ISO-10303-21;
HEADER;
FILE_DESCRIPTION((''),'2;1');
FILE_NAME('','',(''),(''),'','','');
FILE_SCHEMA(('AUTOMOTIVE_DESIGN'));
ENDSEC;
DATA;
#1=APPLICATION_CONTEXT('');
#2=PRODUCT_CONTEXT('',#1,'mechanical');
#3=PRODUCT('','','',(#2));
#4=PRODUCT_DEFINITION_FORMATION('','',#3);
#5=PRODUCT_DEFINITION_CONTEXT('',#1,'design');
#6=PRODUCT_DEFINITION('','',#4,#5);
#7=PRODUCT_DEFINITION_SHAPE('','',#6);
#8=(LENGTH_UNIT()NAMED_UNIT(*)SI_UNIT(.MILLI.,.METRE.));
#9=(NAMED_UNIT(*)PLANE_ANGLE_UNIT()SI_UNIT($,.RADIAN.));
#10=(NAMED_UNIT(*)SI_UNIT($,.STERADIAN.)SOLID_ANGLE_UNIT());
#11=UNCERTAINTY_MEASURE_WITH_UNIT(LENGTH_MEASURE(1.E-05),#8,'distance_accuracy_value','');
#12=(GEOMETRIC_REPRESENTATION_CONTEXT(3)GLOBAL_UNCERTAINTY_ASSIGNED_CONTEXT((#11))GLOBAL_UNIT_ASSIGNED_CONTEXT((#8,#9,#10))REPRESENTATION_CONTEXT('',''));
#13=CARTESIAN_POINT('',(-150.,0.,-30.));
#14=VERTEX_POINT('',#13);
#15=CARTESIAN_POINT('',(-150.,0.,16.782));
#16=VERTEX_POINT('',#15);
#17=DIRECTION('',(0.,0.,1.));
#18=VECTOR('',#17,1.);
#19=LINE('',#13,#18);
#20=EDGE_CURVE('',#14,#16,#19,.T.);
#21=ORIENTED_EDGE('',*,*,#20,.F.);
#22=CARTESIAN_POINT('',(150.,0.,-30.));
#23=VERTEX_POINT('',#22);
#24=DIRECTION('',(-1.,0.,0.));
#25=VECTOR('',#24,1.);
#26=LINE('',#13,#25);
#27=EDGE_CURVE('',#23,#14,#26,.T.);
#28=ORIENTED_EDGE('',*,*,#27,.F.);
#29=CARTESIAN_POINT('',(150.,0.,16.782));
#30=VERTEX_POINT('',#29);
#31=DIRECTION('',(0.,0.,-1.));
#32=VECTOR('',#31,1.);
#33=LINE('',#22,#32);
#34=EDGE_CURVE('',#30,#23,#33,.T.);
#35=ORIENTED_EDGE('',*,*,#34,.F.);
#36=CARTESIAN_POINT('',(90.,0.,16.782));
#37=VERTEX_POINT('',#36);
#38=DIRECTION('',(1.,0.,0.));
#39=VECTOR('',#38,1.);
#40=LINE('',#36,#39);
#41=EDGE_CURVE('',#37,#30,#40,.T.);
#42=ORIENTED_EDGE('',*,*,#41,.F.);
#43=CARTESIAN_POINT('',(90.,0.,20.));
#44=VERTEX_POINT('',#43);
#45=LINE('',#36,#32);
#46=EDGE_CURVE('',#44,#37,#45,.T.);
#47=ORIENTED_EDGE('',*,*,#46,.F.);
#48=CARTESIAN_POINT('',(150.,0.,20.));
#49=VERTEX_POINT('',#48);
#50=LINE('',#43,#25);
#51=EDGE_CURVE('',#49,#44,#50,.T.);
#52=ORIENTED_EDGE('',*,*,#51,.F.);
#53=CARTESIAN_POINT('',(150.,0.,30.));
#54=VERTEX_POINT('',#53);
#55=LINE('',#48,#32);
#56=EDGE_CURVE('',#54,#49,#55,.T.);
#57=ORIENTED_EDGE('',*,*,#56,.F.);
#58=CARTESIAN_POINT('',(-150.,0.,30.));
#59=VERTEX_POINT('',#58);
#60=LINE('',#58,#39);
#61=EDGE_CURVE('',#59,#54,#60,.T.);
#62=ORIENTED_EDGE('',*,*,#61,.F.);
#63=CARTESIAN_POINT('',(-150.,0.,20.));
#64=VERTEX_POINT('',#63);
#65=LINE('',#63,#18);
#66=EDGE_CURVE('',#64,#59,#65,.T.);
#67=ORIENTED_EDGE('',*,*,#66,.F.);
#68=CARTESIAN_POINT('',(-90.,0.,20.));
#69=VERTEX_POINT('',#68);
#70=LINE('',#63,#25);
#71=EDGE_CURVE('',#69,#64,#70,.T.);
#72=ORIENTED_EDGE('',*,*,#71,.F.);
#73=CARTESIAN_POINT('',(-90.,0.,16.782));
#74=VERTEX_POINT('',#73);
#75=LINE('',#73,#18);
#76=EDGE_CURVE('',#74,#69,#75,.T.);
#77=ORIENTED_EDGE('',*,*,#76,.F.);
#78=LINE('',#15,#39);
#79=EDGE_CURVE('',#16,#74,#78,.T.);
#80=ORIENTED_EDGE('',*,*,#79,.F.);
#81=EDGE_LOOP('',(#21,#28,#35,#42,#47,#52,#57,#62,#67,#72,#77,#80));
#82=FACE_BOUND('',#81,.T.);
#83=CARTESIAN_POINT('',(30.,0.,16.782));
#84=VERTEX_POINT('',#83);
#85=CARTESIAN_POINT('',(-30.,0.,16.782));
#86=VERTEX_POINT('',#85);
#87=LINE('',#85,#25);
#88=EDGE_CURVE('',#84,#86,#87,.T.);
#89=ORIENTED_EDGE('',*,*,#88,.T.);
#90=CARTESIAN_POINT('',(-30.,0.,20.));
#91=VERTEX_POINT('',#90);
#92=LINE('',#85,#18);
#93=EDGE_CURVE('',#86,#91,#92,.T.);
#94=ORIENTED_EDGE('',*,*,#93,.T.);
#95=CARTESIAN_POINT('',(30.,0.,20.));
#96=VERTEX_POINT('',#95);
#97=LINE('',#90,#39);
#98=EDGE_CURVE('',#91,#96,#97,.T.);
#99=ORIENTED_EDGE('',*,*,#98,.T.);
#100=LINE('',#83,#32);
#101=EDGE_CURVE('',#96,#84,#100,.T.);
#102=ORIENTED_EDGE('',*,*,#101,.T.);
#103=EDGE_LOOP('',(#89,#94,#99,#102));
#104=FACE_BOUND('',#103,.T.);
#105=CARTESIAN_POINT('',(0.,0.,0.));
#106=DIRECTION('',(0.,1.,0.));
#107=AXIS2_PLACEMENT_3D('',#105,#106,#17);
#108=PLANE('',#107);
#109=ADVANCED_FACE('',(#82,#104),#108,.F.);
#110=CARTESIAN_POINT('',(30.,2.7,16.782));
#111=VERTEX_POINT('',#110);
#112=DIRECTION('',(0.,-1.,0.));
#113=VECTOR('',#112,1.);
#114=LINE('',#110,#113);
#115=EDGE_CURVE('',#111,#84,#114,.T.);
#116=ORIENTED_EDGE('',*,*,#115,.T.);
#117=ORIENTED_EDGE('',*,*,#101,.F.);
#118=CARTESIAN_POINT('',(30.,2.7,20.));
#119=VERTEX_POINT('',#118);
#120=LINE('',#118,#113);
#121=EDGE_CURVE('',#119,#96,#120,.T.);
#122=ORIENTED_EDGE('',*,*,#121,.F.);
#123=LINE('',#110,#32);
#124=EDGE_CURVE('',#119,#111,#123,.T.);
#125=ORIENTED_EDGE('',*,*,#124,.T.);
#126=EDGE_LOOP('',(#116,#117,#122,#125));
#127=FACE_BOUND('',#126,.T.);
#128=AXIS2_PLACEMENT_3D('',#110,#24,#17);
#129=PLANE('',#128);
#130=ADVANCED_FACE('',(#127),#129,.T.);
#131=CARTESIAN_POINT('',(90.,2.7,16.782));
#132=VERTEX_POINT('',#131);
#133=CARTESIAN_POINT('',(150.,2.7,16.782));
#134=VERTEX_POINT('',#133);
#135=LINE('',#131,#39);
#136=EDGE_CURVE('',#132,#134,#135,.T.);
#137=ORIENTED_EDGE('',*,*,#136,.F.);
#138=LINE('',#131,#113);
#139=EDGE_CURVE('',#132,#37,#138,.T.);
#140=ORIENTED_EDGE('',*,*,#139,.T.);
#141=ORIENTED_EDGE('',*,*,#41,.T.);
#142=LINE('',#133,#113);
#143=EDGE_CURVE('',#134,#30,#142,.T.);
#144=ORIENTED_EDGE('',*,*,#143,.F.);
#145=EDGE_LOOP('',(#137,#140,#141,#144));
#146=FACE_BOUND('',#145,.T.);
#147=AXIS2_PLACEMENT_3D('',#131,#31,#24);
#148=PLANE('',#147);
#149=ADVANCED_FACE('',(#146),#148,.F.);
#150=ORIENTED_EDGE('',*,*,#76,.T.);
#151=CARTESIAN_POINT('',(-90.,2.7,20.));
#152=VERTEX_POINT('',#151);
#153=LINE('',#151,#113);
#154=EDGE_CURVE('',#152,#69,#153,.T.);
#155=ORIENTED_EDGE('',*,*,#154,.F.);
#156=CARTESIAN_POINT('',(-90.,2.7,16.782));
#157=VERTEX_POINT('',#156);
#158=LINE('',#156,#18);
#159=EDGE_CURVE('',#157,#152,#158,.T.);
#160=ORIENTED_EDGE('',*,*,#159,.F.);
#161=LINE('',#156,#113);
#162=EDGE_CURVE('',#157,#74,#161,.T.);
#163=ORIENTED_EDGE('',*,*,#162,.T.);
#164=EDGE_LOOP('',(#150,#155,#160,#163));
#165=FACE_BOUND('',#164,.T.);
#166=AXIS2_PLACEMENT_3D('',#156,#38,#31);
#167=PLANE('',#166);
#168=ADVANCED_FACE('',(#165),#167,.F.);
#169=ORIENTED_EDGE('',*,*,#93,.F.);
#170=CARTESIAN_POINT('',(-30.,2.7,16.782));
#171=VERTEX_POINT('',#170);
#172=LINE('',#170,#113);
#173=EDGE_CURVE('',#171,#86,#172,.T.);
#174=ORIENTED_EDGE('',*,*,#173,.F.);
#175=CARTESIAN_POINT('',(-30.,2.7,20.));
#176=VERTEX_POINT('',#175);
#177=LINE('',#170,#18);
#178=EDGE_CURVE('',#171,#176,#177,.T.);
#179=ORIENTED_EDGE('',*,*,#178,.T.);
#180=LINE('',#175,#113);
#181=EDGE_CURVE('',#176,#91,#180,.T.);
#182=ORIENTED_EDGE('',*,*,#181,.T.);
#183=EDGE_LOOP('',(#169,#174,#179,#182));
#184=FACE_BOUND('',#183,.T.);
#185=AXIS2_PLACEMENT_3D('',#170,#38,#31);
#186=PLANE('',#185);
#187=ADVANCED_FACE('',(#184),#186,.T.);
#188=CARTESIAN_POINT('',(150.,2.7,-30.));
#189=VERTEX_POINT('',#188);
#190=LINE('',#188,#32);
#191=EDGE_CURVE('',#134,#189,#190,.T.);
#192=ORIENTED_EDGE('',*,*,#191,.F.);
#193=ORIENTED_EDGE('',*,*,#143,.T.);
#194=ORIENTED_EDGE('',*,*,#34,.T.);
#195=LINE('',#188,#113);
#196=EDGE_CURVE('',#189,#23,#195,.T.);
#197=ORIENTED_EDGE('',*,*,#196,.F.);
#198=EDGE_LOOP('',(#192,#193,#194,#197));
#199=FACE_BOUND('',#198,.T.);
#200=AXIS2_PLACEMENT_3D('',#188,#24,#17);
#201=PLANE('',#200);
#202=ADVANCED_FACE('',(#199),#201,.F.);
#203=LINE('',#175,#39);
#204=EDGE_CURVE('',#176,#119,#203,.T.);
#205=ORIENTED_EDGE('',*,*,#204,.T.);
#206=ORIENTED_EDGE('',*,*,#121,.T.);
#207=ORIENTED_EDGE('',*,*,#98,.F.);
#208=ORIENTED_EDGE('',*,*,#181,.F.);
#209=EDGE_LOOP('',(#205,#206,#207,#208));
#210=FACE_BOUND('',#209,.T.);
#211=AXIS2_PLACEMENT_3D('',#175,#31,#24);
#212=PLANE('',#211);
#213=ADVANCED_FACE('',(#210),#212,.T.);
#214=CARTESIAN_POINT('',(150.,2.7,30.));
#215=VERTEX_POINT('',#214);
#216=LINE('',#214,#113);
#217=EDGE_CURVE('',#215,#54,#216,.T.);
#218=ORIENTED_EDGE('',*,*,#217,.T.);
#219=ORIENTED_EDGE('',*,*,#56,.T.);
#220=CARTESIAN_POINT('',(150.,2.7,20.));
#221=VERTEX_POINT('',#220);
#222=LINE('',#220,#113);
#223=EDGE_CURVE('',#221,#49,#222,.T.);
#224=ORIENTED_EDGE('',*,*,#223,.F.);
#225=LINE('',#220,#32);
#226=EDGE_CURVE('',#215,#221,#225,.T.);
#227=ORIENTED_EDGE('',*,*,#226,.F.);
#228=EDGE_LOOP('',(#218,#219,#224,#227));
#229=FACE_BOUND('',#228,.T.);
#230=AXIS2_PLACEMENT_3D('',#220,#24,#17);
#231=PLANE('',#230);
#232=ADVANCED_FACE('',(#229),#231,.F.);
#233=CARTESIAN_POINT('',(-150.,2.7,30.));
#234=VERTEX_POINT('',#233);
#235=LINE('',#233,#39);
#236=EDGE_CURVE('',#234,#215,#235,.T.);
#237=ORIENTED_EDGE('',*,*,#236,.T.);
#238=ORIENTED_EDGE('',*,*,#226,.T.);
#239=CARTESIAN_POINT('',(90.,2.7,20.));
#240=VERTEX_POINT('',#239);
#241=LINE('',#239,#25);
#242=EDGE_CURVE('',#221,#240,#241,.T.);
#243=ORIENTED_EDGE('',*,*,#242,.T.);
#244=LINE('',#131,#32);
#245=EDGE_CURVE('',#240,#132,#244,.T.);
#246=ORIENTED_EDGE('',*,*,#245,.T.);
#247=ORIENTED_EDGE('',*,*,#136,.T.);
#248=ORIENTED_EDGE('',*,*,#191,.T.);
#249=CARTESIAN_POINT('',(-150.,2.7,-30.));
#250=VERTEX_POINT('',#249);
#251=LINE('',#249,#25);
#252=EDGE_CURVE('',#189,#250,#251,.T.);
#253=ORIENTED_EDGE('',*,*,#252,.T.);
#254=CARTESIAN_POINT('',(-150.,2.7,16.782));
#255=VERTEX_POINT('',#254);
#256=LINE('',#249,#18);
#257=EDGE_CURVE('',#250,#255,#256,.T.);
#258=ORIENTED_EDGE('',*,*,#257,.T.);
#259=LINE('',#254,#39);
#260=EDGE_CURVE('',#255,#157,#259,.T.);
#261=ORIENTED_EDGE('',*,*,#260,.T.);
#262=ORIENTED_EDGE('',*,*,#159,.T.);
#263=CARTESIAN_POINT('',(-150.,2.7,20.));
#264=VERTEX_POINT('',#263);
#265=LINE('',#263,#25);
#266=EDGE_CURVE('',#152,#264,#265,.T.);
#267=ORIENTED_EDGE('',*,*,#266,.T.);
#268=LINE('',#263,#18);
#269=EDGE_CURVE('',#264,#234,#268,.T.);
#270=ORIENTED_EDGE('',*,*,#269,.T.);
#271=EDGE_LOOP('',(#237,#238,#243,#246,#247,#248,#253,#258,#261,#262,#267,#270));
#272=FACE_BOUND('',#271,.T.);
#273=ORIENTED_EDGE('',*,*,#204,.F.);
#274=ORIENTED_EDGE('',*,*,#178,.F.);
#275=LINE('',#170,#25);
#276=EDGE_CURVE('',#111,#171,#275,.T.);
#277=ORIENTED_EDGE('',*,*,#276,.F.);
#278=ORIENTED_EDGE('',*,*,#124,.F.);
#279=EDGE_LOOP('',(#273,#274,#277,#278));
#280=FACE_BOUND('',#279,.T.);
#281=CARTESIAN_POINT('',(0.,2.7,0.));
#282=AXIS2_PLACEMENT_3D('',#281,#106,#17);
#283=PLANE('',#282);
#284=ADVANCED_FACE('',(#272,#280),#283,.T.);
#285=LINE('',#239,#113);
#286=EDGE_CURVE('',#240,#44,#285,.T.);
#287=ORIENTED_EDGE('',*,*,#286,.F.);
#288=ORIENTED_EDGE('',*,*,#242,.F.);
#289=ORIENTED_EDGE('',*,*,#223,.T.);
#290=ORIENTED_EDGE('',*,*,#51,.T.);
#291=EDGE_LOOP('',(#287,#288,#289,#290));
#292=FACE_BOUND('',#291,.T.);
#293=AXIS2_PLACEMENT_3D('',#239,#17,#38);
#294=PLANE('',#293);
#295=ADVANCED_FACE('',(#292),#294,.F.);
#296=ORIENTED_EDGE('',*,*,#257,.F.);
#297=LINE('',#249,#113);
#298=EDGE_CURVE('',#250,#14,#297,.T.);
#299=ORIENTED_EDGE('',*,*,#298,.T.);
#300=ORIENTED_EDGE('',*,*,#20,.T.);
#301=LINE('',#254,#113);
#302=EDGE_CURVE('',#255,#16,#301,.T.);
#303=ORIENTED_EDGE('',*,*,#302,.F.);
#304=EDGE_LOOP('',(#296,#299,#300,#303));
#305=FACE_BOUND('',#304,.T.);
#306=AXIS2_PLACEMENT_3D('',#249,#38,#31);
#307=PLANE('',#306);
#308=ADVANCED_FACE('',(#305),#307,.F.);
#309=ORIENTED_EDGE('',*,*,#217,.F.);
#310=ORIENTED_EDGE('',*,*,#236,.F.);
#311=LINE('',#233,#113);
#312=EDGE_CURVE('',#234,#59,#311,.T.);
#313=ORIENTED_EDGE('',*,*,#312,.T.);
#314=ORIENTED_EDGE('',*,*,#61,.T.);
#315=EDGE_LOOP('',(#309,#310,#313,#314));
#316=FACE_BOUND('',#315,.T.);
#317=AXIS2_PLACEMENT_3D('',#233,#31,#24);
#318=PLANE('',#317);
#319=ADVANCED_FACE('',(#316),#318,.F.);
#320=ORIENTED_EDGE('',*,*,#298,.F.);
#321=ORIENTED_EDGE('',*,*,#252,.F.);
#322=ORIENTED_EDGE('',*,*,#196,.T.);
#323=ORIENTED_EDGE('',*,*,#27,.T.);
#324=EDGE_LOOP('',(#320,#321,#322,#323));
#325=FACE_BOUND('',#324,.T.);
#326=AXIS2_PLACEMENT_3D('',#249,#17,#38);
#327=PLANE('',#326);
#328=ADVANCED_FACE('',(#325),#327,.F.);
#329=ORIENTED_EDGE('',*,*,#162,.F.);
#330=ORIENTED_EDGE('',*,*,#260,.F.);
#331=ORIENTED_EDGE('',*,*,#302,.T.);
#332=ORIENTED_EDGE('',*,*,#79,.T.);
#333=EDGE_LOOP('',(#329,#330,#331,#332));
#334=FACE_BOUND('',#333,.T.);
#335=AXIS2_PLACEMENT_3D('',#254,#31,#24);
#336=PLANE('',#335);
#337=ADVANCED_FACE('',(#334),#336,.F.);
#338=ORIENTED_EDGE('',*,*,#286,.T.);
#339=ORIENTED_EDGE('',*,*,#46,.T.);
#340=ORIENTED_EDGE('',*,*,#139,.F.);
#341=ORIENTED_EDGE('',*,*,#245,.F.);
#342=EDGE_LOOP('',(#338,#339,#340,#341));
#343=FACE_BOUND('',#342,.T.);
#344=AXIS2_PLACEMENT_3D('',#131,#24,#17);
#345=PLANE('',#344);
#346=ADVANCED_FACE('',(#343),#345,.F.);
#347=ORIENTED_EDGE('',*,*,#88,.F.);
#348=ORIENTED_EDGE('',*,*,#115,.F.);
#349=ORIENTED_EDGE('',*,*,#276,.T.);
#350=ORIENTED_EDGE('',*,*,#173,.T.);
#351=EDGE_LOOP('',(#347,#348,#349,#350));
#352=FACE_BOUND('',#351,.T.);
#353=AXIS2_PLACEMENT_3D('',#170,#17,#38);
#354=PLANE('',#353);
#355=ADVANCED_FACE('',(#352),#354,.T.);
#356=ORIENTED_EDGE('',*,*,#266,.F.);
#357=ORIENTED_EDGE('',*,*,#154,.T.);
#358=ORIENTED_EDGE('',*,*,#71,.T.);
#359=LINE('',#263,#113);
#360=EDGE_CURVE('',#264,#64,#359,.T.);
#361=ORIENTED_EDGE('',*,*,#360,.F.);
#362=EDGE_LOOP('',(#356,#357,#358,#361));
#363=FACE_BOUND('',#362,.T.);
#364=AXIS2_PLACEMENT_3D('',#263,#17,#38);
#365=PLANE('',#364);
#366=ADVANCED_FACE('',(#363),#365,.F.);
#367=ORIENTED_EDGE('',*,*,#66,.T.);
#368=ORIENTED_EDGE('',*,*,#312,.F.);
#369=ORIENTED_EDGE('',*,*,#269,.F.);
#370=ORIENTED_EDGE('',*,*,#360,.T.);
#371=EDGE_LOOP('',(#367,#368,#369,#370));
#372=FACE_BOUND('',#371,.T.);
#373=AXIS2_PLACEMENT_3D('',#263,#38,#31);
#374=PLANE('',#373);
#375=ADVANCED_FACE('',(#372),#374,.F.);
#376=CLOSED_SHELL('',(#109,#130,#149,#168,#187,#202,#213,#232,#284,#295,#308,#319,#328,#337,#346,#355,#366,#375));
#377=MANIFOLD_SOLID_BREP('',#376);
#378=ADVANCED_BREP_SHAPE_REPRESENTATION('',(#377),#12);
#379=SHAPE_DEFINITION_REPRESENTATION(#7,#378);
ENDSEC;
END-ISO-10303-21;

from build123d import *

# Parameters (mm, degrees)
SKETCH1_W           = 60
SKETCH1_H           = 3.218
BOSS_EXTRUDE1_DEPTH = 2.7


with BuildPart() as part:
    # Sketch1 → Boss-Extrude1 (new body)
    with BuildSketch(Plane(origin=(0, 0, 0), x_dir=(1, 0, 0), z_dir=(0, 1, 0))):
        Polygon((-150, -20), (-90, -20), (-90, -16.782), (-150, -16.782), (-150, 30), (150, 30), (150, -16.782), (90, -16.782), (90, -20), (150, -20), (150, -30), (-150, -30), align=None)
        with Locations((0, -18.391)):
            Rectangle(SKETCH1_W, SKETCH1_H, mode=Mode.SUBTRACT)
    extrude(amount=BOSS_EXTRUDE1_DEPTH)


solid = part.part
